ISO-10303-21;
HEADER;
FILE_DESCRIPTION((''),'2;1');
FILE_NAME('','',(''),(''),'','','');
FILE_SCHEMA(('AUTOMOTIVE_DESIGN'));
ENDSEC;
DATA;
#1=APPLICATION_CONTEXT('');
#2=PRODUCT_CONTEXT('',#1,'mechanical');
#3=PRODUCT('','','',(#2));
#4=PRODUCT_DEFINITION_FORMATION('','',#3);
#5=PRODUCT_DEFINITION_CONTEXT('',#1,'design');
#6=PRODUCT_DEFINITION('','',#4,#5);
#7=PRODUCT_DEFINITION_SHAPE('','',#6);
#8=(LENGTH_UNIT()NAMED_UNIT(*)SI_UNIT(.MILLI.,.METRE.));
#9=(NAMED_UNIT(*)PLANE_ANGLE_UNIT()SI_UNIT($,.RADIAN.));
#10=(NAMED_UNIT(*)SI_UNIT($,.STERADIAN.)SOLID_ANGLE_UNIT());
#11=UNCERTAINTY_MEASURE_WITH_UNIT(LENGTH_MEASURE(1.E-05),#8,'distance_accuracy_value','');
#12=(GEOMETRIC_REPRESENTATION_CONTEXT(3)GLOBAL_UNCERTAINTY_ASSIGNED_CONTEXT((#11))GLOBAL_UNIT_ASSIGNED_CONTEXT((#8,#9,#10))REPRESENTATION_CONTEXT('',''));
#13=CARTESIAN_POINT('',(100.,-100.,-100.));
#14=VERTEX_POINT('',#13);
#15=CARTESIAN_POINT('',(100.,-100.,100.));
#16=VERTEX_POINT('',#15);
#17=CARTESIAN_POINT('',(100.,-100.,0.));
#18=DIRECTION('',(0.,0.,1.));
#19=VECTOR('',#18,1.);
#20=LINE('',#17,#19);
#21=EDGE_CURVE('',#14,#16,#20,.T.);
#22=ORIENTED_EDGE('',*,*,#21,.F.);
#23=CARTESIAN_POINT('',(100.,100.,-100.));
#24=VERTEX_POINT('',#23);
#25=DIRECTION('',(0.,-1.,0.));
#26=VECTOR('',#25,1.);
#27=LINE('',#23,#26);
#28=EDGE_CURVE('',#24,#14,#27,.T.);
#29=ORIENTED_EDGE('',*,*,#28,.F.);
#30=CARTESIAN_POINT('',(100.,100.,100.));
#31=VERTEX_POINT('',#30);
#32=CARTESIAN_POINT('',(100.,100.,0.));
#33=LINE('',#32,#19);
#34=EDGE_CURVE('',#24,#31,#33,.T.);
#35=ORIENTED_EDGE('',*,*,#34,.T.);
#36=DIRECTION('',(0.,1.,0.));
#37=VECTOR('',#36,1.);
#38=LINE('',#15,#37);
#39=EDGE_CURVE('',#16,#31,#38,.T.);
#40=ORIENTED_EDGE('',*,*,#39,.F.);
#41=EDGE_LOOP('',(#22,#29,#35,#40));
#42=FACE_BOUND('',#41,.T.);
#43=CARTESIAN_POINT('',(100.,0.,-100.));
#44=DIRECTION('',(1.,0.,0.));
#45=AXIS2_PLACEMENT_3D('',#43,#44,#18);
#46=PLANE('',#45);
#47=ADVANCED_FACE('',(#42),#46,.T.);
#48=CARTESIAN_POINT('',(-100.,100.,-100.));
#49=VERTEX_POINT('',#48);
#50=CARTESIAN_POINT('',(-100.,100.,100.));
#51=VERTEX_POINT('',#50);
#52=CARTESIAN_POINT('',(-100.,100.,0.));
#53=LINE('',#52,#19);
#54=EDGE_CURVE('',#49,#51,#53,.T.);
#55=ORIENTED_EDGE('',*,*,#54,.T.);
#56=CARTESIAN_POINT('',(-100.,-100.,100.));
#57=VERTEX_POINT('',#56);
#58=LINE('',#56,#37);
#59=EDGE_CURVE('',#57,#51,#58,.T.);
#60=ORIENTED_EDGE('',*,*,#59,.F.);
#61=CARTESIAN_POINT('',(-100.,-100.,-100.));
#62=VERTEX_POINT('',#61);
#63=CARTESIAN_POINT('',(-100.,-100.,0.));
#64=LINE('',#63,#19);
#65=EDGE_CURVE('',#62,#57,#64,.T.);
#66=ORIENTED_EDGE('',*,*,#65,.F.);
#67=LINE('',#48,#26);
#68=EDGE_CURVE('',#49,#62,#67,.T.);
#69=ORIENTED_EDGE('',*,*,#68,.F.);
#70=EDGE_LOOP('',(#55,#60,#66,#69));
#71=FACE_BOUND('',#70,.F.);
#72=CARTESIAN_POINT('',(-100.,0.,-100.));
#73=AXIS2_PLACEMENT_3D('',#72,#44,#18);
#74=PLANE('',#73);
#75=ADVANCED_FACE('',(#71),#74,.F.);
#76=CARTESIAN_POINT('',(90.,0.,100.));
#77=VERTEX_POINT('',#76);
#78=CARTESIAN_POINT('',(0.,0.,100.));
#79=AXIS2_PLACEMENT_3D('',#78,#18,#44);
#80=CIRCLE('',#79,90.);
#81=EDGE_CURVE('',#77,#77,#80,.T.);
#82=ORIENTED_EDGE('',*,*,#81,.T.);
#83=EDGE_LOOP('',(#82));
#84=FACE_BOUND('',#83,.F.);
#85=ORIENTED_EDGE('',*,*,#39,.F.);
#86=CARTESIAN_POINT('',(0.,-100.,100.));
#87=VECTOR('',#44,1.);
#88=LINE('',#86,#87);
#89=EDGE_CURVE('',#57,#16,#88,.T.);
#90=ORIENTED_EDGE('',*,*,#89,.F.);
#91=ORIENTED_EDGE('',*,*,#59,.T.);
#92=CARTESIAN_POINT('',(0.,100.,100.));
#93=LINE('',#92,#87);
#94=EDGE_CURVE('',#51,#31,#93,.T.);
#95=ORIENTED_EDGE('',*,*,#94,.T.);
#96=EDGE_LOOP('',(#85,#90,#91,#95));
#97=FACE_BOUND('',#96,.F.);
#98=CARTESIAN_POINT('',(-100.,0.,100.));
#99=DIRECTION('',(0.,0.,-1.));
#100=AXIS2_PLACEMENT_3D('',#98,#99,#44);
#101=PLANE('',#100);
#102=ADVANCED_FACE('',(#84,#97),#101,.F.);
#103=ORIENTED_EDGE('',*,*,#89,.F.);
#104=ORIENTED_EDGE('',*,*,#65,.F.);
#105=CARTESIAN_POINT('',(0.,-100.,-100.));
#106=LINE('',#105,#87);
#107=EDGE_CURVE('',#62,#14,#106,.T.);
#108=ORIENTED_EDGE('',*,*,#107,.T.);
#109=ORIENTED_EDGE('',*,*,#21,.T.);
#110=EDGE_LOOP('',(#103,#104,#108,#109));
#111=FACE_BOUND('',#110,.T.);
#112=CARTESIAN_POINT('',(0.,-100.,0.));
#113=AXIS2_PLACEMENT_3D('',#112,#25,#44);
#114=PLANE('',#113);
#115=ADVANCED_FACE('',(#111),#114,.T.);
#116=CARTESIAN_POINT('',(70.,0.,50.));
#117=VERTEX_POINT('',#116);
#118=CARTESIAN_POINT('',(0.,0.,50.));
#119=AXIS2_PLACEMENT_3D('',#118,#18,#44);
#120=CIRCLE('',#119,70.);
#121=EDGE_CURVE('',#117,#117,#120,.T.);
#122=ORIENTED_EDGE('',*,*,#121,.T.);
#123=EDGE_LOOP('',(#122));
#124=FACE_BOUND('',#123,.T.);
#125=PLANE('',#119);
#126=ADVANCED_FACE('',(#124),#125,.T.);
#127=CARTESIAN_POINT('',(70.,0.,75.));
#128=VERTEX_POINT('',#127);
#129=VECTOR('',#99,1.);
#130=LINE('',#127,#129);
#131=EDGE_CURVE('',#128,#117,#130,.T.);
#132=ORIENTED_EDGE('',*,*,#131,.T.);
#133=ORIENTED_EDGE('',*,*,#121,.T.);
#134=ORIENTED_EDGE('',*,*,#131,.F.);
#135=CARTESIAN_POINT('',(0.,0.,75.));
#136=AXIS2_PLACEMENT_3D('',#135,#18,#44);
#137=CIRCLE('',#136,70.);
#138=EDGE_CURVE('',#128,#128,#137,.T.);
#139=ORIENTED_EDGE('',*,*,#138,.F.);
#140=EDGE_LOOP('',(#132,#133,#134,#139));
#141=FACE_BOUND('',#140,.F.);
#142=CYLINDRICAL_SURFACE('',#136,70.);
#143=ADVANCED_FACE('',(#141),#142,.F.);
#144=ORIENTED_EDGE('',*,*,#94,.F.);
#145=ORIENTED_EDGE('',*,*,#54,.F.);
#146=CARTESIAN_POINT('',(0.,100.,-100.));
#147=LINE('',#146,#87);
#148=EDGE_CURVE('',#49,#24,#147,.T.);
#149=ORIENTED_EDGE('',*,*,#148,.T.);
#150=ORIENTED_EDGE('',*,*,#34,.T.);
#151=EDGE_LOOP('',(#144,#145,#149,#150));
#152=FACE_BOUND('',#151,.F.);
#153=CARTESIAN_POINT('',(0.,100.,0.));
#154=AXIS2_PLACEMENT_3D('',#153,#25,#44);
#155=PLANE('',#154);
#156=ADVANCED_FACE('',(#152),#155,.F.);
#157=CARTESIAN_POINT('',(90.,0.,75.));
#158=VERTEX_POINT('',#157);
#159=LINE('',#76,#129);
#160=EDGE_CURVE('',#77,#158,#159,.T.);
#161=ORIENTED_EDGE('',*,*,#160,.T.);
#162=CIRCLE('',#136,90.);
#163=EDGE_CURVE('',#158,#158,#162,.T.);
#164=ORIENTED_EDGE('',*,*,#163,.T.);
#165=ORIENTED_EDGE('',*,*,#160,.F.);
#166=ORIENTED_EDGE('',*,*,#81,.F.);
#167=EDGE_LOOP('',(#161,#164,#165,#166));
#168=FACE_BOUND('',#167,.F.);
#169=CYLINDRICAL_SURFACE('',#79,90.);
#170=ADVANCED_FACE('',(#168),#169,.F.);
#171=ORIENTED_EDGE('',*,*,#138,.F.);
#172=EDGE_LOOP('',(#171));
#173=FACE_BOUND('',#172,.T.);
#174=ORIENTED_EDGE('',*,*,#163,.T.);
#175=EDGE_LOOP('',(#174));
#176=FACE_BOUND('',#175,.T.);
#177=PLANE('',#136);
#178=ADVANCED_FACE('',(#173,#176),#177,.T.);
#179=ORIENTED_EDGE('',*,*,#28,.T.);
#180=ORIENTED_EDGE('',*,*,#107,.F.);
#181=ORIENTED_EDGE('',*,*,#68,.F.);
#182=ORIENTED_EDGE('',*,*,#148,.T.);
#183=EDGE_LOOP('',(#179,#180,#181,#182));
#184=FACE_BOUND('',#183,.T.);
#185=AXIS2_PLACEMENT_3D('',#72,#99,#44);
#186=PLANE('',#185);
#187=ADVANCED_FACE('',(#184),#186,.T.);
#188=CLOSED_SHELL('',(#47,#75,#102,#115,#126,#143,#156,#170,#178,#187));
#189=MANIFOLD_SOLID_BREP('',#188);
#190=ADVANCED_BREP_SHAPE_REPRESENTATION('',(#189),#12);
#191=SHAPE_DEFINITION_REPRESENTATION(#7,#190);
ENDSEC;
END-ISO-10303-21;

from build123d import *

# Parameters (mm, degrees)
F0_W     = 200
F0_H     = 200
F1_DEPTH = 100
F2_R     = 90
F3_DEPTH = 25
F4_R     = 70
F5_DEPTH = 25


with BuildPart() as f1:
    # F0 (on Front) → F1 (new body, symmetric)
    with BuildSketch(Plane.XZ):
        Rectangle(F0_W, F0_H)
    extrude(amount=F1_DEPTH, both=True)

    # F2 (on face) → F3 (cut)
    with BuildSketch(Plane.XY.offset(100)):
        Circle(F2_R)
    extrude(amount=-F3_DEPTH, mode=Mode.SUBTRACT)

    # F4 (on face) → F5 (cut)
    with BuildSketch(Plane.XY.offset(75)):
        Circle(F4_R)
    extrude(amount=-F5_DEPTH, mode=Mode.SUBTRACT)


solid = f1.part
